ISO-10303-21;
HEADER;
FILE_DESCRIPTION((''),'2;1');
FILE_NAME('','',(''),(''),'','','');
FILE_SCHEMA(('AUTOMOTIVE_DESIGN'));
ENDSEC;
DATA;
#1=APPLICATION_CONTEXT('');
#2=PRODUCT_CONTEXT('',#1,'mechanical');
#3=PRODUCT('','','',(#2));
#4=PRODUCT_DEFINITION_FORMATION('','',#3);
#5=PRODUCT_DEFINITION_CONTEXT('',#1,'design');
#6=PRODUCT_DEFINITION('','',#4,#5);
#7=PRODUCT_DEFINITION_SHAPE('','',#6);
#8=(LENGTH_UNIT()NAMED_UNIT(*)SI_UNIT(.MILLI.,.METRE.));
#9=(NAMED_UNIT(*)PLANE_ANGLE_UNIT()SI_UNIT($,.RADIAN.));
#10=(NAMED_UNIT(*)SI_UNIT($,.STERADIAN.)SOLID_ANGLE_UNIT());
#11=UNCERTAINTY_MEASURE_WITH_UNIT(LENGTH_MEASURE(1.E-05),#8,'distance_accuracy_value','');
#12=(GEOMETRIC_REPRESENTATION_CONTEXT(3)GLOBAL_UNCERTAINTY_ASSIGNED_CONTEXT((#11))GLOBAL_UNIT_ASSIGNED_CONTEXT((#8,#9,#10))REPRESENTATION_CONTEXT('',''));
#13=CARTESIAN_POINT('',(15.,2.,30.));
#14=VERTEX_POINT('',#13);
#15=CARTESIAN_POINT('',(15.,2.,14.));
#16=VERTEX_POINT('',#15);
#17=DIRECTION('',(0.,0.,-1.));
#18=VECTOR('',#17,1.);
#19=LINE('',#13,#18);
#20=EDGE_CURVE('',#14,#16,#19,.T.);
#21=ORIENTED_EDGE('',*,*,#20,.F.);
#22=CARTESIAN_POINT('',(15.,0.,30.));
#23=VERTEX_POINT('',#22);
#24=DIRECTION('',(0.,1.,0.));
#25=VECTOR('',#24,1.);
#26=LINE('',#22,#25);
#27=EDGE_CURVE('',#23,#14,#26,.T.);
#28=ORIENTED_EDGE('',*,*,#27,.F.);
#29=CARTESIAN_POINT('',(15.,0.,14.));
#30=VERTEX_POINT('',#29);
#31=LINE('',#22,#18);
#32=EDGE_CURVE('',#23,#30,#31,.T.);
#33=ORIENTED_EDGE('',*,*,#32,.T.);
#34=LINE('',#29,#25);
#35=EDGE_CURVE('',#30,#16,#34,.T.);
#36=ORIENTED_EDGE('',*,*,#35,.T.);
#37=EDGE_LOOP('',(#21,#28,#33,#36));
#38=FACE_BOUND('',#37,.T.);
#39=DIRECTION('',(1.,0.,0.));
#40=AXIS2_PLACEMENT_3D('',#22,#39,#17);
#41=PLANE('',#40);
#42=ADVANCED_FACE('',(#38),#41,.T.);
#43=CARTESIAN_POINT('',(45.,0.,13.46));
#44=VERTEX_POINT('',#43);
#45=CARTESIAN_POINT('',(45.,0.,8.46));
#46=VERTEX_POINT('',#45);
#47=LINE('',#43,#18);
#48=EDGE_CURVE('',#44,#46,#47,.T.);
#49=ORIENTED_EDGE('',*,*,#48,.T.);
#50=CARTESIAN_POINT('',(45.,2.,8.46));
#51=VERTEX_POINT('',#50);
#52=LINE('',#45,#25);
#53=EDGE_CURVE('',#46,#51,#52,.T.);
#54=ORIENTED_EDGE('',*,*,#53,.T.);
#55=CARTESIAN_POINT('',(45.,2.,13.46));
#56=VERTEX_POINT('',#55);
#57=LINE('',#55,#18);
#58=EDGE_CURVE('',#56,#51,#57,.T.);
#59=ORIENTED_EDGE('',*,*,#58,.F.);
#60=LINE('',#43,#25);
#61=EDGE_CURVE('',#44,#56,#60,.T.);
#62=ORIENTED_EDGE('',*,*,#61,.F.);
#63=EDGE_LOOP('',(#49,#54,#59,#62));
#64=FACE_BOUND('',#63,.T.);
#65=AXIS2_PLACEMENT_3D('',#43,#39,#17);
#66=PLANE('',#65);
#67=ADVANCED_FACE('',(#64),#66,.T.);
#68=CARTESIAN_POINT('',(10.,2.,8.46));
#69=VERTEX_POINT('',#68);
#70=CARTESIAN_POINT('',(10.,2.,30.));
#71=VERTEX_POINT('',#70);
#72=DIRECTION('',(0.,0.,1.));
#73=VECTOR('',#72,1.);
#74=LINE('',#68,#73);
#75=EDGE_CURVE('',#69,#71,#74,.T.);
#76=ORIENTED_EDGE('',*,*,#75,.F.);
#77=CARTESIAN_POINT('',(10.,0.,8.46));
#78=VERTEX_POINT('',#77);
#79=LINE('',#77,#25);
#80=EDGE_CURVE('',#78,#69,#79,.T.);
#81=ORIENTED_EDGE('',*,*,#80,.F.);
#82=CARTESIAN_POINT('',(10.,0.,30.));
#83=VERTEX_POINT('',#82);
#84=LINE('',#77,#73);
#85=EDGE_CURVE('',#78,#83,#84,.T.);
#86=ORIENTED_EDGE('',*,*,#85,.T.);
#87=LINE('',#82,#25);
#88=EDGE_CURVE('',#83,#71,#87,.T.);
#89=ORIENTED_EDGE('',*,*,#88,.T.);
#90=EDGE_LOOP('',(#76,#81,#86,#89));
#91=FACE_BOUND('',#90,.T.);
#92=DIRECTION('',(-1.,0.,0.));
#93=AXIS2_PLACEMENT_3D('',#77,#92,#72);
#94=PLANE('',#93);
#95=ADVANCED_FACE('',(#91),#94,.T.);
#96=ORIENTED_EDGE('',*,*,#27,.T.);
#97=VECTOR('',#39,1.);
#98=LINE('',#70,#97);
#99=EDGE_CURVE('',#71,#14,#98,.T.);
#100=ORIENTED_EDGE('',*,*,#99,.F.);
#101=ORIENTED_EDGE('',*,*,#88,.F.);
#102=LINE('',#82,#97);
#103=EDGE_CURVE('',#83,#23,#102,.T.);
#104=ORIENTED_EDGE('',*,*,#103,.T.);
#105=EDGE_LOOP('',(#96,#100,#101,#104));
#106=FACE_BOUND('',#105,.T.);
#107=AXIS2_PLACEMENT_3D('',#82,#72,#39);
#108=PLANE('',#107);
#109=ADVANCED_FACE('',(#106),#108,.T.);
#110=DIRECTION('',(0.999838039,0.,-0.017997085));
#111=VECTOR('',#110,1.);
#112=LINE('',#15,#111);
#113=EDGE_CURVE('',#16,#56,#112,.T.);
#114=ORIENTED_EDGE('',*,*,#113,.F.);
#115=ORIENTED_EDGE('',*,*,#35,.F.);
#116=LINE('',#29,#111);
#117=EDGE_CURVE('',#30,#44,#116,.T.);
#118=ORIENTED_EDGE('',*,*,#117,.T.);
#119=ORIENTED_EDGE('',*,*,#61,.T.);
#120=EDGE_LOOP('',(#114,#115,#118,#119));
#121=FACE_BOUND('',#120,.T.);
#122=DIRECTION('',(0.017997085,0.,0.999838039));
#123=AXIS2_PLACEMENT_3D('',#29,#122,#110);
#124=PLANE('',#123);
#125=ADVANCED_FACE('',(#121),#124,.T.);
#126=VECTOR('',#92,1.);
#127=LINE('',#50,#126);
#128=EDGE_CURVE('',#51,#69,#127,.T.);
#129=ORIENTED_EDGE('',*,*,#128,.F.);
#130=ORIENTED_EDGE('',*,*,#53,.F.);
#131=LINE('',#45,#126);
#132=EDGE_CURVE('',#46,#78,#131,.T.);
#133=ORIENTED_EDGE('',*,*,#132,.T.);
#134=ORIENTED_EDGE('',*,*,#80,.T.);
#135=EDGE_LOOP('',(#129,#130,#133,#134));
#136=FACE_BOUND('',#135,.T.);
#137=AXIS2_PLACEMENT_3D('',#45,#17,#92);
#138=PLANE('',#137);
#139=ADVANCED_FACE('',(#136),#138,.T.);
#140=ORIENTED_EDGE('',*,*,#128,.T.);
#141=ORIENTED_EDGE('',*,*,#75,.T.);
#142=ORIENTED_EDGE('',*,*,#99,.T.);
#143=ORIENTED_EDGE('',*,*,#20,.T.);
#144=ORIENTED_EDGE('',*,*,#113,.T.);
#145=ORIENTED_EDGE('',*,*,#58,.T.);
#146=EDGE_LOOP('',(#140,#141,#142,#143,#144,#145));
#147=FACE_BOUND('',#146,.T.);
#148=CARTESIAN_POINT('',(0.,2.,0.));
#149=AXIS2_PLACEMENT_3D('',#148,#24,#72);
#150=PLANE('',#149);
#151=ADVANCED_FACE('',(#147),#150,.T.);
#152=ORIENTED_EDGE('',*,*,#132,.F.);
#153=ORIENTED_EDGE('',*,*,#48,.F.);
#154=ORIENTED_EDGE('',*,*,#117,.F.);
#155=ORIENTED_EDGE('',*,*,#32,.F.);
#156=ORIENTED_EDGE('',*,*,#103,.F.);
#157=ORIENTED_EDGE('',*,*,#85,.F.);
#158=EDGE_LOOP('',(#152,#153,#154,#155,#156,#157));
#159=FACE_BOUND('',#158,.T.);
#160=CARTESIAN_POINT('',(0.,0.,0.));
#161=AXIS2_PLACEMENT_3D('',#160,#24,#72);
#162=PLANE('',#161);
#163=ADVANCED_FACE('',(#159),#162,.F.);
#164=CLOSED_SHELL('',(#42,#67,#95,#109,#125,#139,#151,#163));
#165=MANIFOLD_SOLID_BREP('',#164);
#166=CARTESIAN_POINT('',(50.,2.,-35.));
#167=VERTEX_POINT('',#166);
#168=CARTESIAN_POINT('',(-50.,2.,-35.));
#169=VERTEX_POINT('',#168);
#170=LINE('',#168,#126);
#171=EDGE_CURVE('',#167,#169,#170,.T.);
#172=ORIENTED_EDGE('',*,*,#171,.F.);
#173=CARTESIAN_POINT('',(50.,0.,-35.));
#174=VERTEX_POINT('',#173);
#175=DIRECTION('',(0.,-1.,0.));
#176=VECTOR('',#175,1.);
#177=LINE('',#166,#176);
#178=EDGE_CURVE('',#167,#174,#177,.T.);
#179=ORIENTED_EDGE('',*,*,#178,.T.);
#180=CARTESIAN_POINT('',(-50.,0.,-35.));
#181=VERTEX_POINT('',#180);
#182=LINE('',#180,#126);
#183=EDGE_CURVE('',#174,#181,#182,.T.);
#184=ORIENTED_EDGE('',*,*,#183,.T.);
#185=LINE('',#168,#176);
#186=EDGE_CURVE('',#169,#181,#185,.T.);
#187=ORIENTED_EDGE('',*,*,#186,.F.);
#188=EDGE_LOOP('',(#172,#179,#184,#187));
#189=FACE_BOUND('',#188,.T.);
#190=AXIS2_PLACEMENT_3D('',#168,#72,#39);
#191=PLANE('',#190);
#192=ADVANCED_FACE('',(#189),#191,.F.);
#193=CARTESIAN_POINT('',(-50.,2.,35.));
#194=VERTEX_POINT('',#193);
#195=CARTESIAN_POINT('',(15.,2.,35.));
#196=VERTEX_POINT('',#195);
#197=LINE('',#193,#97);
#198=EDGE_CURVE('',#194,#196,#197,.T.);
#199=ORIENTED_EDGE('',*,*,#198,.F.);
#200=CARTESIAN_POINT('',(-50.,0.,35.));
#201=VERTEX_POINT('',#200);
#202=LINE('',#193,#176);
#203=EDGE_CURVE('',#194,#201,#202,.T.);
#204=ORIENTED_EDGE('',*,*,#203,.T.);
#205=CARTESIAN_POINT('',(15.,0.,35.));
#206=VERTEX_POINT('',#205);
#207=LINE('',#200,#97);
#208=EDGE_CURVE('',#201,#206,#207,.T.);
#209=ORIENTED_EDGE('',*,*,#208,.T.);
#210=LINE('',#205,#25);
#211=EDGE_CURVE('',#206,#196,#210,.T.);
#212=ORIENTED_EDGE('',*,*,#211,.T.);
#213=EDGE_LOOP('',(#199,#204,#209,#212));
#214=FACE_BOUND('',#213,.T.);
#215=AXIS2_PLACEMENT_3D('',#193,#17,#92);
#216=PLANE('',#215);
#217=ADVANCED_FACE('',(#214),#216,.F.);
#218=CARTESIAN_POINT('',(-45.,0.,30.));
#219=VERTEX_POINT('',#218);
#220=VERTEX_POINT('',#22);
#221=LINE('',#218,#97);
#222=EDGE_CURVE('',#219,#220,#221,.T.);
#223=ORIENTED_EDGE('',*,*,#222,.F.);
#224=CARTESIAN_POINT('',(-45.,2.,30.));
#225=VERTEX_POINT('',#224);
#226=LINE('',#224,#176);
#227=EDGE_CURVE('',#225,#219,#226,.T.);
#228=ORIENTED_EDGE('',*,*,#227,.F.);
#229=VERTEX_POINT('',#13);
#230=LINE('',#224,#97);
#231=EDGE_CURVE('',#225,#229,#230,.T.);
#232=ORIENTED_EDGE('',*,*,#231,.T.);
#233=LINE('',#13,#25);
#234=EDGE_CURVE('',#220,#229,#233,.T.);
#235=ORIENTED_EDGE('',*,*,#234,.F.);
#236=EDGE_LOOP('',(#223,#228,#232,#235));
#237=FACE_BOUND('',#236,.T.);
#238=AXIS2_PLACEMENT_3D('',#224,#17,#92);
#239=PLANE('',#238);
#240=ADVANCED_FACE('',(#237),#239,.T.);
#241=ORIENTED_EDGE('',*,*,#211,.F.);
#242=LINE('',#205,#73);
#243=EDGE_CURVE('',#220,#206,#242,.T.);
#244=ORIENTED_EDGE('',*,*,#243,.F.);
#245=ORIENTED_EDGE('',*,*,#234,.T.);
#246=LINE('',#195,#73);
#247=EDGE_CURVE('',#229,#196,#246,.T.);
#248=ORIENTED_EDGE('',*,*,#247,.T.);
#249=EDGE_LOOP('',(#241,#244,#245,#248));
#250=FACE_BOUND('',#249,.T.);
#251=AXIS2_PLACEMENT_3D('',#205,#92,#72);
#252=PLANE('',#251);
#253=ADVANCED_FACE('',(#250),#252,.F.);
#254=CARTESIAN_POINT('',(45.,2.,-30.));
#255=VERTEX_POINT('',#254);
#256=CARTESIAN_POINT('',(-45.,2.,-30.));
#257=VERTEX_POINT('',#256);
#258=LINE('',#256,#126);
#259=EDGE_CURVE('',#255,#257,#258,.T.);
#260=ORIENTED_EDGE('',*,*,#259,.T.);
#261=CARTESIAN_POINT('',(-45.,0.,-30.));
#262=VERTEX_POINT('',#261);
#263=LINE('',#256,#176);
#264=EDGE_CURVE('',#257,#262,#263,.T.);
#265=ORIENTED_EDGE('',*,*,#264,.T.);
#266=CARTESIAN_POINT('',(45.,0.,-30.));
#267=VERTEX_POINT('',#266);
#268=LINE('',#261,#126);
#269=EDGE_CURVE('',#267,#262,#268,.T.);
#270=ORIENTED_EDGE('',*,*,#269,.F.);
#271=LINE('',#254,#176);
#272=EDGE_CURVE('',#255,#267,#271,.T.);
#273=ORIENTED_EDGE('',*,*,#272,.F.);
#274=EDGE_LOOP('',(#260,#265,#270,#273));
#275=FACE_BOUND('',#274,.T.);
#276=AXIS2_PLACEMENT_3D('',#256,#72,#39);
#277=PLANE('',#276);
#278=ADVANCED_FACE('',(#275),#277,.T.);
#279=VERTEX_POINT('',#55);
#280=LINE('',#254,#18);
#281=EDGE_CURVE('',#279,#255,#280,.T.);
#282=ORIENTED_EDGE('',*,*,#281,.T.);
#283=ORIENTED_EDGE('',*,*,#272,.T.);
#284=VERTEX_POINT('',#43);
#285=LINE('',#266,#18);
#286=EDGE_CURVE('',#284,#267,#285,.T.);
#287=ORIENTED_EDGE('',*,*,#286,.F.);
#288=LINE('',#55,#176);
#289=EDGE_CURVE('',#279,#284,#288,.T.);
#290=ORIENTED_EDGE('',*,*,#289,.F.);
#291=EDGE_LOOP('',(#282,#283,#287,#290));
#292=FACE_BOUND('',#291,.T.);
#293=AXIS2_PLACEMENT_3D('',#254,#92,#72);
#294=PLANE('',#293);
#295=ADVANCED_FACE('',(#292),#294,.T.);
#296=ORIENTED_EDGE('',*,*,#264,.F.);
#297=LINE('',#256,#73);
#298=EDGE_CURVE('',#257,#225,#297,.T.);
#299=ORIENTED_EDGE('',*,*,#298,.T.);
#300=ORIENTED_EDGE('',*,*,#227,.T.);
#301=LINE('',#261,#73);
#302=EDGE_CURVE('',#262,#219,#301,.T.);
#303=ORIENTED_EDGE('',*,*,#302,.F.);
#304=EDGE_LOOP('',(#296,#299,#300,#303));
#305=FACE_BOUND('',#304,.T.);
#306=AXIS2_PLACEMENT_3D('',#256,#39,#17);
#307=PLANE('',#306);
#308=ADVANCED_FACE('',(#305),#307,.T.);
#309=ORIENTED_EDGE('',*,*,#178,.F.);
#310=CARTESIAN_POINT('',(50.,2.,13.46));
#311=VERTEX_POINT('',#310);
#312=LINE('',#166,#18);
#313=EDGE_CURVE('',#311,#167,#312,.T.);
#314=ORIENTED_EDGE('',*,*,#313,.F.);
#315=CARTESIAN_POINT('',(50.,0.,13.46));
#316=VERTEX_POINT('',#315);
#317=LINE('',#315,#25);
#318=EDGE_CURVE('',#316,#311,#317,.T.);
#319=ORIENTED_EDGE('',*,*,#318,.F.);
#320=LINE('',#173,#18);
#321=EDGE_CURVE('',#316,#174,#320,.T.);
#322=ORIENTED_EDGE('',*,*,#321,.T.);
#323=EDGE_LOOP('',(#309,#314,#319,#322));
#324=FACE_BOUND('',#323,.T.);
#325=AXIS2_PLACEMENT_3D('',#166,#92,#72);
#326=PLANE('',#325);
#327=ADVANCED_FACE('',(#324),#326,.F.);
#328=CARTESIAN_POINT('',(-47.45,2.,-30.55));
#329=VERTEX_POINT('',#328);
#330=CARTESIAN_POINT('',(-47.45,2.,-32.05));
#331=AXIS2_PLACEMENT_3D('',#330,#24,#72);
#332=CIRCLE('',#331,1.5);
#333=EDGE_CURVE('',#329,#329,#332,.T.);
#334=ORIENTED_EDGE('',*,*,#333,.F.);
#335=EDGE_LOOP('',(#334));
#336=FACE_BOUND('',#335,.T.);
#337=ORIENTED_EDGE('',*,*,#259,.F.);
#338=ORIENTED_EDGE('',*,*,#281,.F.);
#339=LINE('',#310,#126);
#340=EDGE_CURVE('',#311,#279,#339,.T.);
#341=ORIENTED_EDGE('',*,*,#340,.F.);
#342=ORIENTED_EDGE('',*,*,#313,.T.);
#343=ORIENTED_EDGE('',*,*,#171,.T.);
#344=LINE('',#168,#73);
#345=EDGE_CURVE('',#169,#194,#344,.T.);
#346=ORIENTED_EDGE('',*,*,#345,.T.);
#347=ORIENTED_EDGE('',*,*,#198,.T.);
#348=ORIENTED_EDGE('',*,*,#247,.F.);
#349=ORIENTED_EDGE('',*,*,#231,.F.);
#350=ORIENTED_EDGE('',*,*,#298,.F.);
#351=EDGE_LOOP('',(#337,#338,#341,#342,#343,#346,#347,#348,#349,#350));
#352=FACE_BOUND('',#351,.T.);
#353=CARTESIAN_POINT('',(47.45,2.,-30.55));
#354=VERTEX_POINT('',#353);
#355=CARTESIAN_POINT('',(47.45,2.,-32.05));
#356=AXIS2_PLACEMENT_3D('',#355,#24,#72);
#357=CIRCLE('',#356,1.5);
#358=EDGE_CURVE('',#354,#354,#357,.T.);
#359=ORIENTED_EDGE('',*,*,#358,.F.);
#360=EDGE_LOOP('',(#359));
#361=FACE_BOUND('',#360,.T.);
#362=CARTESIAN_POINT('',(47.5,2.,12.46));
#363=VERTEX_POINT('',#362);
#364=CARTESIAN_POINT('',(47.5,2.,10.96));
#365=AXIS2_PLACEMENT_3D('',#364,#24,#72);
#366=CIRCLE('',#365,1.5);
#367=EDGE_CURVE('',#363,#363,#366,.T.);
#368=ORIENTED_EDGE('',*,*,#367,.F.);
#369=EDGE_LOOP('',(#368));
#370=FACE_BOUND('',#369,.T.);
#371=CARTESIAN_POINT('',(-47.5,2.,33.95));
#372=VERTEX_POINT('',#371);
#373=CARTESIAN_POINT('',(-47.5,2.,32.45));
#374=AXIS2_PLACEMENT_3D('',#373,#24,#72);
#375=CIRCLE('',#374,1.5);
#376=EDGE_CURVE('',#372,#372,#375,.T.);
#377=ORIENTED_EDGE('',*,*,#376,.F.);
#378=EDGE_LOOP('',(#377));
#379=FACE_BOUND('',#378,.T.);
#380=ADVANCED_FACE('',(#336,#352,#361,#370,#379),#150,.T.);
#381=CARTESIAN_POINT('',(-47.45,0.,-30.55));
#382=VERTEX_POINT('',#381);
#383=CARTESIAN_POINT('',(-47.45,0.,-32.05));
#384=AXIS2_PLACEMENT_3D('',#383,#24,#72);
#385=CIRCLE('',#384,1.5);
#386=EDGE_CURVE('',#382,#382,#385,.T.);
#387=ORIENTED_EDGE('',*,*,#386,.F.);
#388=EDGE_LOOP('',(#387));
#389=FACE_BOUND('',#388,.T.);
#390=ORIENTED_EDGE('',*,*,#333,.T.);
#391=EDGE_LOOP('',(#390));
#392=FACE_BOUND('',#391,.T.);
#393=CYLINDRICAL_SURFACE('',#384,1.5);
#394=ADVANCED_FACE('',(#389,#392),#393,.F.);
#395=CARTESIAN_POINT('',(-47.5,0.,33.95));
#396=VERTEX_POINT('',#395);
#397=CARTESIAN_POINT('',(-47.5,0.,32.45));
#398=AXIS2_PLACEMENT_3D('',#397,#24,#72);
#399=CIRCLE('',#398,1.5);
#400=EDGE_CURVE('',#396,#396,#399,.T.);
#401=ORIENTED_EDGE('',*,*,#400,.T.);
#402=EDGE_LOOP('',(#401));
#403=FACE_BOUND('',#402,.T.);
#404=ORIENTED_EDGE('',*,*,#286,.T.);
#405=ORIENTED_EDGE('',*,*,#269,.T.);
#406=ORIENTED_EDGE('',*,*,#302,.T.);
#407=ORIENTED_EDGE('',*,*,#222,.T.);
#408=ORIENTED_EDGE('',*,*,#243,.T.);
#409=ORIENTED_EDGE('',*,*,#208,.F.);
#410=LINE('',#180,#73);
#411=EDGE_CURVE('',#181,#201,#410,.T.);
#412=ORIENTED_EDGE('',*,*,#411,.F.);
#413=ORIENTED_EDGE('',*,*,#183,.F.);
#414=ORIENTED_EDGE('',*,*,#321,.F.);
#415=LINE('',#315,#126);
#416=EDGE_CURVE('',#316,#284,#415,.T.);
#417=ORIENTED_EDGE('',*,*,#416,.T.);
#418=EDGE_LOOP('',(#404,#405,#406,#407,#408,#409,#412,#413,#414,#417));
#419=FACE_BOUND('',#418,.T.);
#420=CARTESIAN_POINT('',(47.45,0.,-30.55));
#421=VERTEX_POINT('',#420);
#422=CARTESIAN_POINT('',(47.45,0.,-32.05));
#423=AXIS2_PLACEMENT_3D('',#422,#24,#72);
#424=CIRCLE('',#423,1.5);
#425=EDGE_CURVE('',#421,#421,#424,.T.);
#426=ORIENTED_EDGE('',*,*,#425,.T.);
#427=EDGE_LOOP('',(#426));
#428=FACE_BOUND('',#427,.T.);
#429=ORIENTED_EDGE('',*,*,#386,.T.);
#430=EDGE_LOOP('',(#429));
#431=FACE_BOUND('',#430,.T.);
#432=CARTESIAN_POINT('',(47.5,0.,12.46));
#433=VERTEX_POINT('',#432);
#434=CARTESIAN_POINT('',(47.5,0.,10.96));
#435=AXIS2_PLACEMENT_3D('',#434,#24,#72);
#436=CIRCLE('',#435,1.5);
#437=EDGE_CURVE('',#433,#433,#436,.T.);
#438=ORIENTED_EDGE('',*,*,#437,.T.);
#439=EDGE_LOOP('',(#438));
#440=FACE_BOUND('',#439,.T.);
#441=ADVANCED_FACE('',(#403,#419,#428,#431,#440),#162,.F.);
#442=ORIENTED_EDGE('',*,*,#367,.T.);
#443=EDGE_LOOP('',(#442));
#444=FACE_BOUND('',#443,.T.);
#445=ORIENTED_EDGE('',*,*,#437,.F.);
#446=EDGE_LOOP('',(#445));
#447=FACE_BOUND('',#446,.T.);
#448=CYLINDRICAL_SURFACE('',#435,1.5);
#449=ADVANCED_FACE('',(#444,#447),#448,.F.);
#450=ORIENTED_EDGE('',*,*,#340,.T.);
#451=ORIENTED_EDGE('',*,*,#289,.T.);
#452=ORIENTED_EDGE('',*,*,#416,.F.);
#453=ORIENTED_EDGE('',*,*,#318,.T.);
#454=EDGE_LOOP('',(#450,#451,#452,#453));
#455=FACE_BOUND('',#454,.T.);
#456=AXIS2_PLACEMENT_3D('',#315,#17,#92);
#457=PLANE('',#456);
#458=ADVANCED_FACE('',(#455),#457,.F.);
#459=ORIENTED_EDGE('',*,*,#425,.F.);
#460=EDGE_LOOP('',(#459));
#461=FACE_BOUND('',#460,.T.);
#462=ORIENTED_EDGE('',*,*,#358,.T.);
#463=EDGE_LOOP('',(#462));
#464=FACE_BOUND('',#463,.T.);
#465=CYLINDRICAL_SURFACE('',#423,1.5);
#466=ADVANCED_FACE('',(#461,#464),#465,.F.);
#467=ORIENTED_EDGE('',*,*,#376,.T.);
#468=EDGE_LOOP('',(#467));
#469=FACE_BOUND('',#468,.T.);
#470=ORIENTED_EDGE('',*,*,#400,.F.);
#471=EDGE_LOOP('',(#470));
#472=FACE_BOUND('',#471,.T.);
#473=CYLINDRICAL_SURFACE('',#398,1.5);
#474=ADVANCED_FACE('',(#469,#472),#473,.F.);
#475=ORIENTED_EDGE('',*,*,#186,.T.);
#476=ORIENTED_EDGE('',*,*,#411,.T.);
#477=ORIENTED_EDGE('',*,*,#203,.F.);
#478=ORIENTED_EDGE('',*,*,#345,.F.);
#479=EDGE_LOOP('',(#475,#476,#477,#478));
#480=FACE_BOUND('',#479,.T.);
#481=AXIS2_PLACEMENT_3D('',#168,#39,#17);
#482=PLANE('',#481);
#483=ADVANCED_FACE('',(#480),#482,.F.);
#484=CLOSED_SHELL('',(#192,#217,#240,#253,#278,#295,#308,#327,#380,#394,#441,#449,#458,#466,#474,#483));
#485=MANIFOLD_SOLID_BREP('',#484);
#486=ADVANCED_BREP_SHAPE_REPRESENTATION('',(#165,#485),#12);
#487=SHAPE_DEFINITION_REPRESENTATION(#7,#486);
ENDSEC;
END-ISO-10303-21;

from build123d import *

# Parameters (mm, degrees)
SKETCH1_W           = 100
SKETCH1_H           = 70
SKETCH1_W_2         = 90
SKETCH1_H_2         = 60
BOSS_EXTRUDE1_DEPTH = 2
SKETCH2_W           = 35
SKETCH2_H           = 21.54
CUT_EXTRUDE1_DEPTH  = 2
BOSS_EXTRUDE2_DEPTH = 2
SKETCH4_R           = 1.5
CUT_EXTRUDE2_DEPTH  = 2


with BuildPart() as part:
    # Sketch1 → Boss-Extrude1 (new body)
    with BuildSketch(Plane(origin=(0, 0, 0), x_dir=(1, 0, 0), z_dir=(0, 1, 0))):
        Rectangle(SKETCH1_W, SKETCH1_H)
        Rectangle(SKETCH1_W_2, SKETCH1_H_2, mode=Mode.SUBTRACT)
    extrude(amount=BOSS_EXTRUDE1_DEPTH)

    # Sketch2 → Cut-Extrude1 (cut)
    with BuildSketch(Plane(origin=(0, 2, 0), x_dir=(1, 0, 0), z_dir=(0, 1, 0))):
        with Locations((32.5, -24.23)):
            Rectangle(SKETCH2_W, SKETCH2_H)
    extrude(amount=-CUT_EXTRUDE1_DEPTH, mode=Mode.SUBTRACT)

    # Sketch4 → Cut-Extrude2 (cut)
    with BuildSketch(Plane(origin=(0, 2, 0), x_dir=(1, 0, 0), z_dir=(0, 1, 0))):
        with Locations(Location((-47.45, 32.05, 0), (0, 0, 270))):
            Circle(SKETCH4_R)
        with Locations(Location((47.45, 32.05, 0), (0, 0, 270))):
            Circle(SKETCH4_R)
        with Locations(Location((47.5, -10.96, 0), (0, 0, 270))):
            Circle(SKETCH4_R)
        with Locations(Location((-47.5, -32.45, 0), (0, 0, 270))):
            Circle(SKETCH4_R)
    extrude(amount=-CUT_EXTRUDE2_DEPTH, mode=Mode.SUBTRACT)


with BuildPart() as body_2:
    # Sketch3 → Boss-Extrude2 (new body)
    with BuildSketch(Plane(origin=(0, 2, 0), x_dir=(1, 0, 0), z_dir=(0, 1, 0))):
        Polygon((15, -30), (15, -14), (45, -13.46), (45, -8.46), (10, -8.46), (10, -30), align=None)
    extrude(amount=-BOSS_EXTRUDE2_DEPTH)


solid = Compound([part.part, body_2.part])
